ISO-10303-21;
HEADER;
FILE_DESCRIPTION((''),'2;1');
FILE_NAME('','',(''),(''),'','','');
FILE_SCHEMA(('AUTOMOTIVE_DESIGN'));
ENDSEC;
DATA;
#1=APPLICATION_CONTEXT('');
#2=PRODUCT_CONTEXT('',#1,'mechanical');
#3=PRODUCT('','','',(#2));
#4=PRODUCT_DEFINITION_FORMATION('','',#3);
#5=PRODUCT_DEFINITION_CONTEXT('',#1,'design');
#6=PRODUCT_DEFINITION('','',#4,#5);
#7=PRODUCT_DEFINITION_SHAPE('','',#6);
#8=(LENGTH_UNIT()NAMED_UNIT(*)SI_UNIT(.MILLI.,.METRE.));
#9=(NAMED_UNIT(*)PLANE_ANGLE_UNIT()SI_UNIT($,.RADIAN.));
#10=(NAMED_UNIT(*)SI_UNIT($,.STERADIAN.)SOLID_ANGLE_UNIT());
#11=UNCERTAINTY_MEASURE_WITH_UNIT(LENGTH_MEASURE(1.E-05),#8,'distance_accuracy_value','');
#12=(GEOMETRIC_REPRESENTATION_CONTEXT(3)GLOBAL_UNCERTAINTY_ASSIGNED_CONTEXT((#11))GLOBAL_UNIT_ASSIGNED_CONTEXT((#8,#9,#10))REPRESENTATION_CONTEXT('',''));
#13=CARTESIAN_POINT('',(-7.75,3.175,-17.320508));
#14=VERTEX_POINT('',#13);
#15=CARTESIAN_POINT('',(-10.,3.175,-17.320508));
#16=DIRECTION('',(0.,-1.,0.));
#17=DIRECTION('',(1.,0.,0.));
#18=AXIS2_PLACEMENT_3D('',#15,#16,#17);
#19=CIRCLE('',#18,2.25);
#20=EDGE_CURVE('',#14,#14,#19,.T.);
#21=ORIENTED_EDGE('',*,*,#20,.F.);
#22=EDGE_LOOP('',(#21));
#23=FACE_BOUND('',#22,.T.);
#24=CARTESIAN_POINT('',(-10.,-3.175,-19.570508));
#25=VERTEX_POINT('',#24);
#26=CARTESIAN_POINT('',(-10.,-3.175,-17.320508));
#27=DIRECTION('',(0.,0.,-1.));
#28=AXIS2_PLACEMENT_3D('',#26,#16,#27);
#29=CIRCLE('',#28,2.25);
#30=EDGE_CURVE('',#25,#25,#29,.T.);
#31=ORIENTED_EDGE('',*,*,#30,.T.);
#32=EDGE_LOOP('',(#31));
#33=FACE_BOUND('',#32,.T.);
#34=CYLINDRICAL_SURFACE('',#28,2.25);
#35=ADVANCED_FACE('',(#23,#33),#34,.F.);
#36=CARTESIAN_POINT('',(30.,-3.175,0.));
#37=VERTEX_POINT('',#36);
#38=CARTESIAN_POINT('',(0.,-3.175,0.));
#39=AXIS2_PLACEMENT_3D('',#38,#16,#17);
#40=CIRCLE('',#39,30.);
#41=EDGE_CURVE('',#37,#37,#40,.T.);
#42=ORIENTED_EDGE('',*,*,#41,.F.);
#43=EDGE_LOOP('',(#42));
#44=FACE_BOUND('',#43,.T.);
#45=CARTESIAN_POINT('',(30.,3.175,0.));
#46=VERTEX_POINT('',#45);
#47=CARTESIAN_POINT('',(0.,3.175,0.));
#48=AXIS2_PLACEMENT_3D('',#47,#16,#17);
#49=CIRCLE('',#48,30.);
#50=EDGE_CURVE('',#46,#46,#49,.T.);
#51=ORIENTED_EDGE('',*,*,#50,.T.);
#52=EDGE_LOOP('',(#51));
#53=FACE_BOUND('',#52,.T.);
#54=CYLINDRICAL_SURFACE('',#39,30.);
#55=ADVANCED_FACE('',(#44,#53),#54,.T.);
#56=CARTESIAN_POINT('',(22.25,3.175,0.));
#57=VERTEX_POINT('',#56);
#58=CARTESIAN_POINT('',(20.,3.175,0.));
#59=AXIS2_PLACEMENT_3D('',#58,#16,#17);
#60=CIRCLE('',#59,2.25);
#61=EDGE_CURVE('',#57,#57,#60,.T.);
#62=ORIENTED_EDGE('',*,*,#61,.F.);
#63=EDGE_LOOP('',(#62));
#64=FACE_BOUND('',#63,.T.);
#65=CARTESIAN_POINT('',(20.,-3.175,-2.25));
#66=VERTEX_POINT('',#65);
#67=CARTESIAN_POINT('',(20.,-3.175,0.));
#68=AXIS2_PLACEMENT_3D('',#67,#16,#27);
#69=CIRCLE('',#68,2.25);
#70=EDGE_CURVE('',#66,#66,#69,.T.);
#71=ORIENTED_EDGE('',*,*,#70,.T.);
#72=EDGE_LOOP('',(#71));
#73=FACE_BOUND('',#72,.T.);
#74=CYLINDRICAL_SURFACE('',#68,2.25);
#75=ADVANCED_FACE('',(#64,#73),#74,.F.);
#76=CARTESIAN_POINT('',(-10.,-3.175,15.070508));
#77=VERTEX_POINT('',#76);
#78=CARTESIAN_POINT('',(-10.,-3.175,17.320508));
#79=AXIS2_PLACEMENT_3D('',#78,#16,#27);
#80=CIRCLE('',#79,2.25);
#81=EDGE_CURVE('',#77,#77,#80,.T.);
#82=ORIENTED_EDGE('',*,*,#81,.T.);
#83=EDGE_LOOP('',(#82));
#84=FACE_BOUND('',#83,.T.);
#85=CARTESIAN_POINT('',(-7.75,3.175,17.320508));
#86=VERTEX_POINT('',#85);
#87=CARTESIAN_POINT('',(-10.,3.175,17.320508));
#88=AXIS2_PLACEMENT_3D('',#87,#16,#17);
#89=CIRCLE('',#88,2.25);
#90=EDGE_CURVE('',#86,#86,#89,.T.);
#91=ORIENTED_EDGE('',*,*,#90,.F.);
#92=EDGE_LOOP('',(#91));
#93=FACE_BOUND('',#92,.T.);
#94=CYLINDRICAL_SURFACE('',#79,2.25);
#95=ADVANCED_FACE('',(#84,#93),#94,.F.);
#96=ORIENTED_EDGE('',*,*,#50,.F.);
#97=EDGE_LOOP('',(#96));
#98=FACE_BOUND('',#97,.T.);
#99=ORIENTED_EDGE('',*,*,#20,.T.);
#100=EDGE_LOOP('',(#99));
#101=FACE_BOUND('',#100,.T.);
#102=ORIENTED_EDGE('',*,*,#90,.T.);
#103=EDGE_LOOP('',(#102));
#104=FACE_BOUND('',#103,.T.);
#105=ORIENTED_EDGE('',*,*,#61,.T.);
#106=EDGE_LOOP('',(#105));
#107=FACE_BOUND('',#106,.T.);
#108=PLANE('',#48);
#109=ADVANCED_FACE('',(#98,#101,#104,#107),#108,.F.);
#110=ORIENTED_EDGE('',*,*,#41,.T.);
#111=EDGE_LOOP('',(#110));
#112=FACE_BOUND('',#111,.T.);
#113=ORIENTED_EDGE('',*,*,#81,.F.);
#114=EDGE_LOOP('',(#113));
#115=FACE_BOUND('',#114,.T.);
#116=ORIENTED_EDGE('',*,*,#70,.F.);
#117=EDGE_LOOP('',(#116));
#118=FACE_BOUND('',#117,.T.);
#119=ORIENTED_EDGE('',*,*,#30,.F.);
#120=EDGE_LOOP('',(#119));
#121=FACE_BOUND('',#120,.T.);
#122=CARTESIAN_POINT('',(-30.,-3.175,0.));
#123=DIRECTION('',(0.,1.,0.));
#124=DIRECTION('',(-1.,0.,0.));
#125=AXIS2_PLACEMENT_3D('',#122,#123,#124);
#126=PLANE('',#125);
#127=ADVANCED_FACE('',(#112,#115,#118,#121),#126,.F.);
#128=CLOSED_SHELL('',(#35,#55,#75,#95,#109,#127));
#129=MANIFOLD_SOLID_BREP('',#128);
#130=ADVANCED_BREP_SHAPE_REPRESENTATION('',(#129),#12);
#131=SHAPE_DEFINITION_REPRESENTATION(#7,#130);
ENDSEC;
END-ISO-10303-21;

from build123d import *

# Parameters (mm, degrees)
SKETCH1_W                = 30
SKETCH1_H                = 6.35
M4_CLEARANCE_HOLE1_D     = 4.5
M4_CLEARANCE_HOLE1_DEPTH = 10.1
M4_CLEARANCE_HOLE1_TIP   = 1.351936393


with BuildPart() as part:
    # Sketch1 → Revolve1 (revolve)
    with BuildSketch(Plane.XY, mode=Mode.PRIVATE) as revolve1_sk:
        with Locations((-15, 0)):
            Rectangle(SKETCH1_W, SKETCH1_H)
    revolve(revolve1_sk.sketch.rotate(Axis((0, -3.175, 0), (0, 1, 0)), 180), axis=Axis((0, -3.175, 0), (0, 1, 0)))

    # M4 Clearance Hole1
    with Locations(Plane(origin=(0, -3.175, 0), x_dir=(-1, 0, 0), z_dir=(0, -1, 0))):
        with Locations((-20, 0), (10, -17.320508076), (10, 17.320508076)):
            Hole(M4_CLEARANCE_HOLE1_D / 2, depth=M4_CLEARANCE_HOLE1_DEPTH)
            with Locations((0, 0, -(M4_CLEARANCE_HOLE1_DEPTH + M4_CLEARANCE_HOLE1_TIP / 2))):  # 118° drill point
                Cone(0, M4_CLEARANCE_HOLE1_D / 2, M4_CLEARANCE_HOLE1_TIP, mode=Mode.SUBTRACT)


solid = part.part
